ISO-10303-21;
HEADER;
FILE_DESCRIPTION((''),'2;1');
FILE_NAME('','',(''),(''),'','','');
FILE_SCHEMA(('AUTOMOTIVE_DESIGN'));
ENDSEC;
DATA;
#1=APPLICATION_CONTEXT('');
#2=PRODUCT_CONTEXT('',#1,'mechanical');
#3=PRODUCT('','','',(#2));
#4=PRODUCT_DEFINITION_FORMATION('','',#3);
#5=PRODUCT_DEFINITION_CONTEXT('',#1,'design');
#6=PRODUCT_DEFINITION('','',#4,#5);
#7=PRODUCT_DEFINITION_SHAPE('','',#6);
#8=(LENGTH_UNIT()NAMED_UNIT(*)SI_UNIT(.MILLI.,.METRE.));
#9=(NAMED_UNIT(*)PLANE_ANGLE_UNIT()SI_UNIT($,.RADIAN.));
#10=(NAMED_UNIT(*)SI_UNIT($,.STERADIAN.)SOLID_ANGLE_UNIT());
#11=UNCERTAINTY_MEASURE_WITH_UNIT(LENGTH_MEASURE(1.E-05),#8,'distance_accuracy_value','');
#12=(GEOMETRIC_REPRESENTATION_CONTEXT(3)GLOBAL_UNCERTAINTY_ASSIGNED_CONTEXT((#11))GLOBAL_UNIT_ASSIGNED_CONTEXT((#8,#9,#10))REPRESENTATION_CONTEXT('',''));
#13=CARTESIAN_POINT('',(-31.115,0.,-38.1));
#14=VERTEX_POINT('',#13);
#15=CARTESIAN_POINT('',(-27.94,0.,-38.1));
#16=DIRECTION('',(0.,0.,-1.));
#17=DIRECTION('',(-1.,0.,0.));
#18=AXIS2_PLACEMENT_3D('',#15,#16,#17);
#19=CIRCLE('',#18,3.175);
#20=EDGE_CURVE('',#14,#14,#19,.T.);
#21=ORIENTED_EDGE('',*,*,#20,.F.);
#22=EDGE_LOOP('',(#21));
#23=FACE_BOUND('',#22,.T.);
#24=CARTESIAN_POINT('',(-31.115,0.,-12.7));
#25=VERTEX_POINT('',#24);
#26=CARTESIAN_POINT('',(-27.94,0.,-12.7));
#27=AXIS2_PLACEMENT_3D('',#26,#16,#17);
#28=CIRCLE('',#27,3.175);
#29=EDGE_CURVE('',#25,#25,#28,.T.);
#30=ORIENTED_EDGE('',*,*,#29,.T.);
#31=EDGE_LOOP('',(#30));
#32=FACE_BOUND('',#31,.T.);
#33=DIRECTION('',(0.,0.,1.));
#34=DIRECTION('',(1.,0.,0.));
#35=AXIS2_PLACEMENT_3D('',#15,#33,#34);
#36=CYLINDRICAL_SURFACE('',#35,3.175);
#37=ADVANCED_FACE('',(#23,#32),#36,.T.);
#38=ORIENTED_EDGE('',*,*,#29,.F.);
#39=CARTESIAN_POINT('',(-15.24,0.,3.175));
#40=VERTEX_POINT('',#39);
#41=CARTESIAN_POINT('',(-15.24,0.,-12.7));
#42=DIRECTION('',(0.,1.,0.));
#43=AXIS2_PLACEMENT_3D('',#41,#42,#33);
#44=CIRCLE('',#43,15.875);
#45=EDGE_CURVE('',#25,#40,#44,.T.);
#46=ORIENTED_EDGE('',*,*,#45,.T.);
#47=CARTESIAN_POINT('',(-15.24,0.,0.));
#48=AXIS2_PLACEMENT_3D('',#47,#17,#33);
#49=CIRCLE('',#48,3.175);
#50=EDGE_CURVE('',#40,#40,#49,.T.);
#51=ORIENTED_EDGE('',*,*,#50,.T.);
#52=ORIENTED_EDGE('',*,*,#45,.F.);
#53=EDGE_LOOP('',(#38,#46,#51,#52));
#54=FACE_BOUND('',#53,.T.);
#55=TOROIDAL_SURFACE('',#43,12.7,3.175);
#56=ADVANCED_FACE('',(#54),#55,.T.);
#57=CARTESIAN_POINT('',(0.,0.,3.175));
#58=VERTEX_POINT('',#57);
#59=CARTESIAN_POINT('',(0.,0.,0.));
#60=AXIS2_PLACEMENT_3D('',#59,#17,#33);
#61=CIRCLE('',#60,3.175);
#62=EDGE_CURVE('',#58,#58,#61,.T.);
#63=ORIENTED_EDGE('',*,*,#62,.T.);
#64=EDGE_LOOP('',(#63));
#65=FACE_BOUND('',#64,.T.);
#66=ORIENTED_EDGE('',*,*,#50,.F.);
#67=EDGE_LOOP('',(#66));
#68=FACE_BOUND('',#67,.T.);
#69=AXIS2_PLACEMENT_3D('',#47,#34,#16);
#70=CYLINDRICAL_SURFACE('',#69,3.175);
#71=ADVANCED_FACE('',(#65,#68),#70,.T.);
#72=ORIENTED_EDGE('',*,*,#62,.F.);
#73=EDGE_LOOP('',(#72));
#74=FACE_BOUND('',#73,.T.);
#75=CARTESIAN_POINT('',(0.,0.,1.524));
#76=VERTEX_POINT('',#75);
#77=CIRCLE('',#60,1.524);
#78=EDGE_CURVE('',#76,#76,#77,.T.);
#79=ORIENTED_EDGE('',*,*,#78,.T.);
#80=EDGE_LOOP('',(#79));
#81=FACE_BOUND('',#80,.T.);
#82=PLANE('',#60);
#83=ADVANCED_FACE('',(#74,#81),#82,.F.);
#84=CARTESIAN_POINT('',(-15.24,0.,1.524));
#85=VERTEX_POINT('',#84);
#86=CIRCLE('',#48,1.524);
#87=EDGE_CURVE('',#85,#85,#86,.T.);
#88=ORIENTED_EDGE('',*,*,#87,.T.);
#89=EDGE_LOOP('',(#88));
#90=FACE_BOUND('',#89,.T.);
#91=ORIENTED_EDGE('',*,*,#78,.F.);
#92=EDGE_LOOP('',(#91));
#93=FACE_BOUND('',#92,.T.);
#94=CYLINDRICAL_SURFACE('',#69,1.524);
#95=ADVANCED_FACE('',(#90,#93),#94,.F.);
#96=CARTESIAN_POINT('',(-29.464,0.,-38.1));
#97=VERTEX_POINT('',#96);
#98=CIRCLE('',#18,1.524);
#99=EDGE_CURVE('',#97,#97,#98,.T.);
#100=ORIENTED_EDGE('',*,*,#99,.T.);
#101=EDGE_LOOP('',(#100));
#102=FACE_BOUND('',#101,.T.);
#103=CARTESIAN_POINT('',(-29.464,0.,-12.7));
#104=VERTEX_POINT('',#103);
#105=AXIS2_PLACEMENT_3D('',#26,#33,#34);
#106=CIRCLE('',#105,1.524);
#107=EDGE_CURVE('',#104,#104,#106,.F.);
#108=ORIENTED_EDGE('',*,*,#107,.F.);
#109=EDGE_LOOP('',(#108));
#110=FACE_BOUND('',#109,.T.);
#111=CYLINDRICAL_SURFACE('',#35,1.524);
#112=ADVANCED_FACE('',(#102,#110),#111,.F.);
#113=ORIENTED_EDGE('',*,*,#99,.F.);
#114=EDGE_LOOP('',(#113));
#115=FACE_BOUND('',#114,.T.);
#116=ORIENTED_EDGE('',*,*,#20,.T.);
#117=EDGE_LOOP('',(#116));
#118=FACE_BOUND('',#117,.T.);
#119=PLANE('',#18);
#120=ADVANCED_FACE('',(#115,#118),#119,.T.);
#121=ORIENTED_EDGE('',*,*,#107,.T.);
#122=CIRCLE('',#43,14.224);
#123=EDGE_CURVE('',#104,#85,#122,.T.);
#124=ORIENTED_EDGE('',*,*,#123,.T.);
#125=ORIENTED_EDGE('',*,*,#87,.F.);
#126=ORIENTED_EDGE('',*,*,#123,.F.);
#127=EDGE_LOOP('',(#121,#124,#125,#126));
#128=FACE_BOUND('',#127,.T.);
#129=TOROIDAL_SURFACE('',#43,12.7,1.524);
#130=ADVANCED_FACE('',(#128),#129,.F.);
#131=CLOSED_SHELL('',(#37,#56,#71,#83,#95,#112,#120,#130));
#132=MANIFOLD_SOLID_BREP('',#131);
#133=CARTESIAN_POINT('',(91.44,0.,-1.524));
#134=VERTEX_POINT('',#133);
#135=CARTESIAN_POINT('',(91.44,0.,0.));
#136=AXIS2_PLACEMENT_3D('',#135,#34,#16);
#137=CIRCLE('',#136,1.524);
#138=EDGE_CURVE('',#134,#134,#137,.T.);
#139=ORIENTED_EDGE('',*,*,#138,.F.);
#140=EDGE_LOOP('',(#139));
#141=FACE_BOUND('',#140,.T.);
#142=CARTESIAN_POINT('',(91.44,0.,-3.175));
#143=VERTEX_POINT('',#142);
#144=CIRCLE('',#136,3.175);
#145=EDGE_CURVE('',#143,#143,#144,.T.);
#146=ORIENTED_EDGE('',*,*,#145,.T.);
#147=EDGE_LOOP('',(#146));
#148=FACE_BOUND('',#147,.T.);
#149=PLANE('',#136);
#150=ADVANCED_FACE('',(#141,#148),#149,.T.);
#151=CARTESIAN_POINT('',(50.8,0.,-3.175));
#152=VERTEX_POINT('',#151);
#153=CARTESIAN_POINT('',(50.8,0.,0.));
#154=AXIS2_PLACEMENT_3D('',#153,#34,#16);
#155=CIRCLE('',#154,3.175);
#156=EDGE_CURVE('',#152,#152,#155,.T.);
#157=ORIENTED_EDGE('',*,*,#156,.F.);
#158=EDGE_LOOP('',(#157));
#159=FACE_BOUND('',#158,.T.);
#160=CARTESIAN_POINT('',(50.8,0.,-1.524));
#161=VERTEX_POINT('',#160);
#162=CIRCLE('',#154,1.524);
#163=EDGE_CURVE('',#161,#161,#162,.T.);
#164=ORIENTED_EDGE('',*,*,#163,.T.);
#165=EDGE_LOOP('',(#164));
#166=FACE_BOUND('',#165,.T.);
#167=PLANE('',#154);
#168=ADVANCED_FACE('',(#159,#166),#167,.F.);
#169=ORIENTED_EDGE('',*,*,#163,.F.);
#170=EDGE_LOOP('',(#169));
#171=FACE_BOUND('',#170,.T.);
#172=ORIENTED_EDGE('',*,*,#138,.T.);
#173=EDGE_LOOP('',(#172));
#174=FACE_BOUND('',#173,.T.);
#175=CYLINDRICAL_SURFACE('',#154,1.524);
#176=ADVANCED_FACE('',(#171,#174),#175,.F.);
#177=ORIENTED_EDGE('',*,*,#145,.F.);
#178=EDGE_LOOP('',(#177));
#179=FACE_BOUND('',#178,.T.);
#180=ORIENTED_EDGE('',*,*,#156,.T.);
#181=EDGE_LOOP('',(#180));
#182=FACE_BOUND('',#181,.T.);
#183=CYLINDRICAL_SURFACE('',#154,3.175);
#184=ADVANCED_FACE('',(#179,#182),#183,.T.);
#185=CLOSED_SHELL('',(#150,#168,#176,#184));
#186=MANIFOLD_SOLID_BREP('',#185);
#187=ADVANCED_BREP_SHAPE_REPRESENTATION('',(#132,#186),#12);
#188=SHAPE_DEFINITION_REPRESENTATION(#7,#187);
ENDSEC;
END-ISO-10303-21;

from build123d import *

# Parameters (mm, degrees)
SWEEP_THIN1_PROFILE_R   = 3.175
SWEEP_THIN1_PROFILE_R_2 = 1.524
SWEEP_THIN2_PROFILE_R   = 3.175
SWEEP_THIN2_PROFILE_R_2 = 1.524


with BuildPart() as part:
    # Sweep-Thin1: sweep along a path in Sketch1
    with BuildLine(Plane(origin=(0, 0, 0), x_dir=(1, 0, 0), z_dir=(0, 1, 0))) as sweep_thin1_path:
        Line((-27.94, 38.1), (-27.94, 12.7))
        ThreePointArc((-27.94, 12.7), (-24.220256121, 3.719743879), (-15.24, 0))
        Line((-15.24, 0), (0, 0))
    # Sweep-Thin1 profile (on start of the path) → Sweep-Thin1 (sweep)
    with BuildSketch(Plane(origin=(-27.94, 0, -38.1), x_dir=(1, 0, 0), z_dir=(0, 0, 1))):
        Circle(SWEEP_THIN1_PROFILE_R)
        Circle(SWEEP_THIN1_PROFILE_R_2, mode=Mode.SUBTRACT)
    sweep(path=sweep_thin1_path.line)


with BuildPart() as body_2:
    # Sweep-Thin2: sweep along a path in Sketch15
    with BuildLine(Plane(origin=(0, 0, 0), x_dir=(1, 0, 0), z_dir=(0, 1, 0))) as sweep_thin2_path:
        Line((50.8, 0), (91.44, 0))
    # Sweep-Thin2 profile (on start of the path) → Sweep-Thin2 (sweep)
    with BuildSketch(Plane(origin=(50.8, 0, 0), x_dir=(0, 0, 1), z_dir=(1, 0, 0))):
        Circle(SWEEP_THIN2_PROFILE_R)
        Circle(SWEEP_THIN2_PROFILE_R_2, mode=Mode.SUBTRACT)
    sweep(path=sweep_thin2_path.line)


solid = Compound([part.part, body_2.part])
